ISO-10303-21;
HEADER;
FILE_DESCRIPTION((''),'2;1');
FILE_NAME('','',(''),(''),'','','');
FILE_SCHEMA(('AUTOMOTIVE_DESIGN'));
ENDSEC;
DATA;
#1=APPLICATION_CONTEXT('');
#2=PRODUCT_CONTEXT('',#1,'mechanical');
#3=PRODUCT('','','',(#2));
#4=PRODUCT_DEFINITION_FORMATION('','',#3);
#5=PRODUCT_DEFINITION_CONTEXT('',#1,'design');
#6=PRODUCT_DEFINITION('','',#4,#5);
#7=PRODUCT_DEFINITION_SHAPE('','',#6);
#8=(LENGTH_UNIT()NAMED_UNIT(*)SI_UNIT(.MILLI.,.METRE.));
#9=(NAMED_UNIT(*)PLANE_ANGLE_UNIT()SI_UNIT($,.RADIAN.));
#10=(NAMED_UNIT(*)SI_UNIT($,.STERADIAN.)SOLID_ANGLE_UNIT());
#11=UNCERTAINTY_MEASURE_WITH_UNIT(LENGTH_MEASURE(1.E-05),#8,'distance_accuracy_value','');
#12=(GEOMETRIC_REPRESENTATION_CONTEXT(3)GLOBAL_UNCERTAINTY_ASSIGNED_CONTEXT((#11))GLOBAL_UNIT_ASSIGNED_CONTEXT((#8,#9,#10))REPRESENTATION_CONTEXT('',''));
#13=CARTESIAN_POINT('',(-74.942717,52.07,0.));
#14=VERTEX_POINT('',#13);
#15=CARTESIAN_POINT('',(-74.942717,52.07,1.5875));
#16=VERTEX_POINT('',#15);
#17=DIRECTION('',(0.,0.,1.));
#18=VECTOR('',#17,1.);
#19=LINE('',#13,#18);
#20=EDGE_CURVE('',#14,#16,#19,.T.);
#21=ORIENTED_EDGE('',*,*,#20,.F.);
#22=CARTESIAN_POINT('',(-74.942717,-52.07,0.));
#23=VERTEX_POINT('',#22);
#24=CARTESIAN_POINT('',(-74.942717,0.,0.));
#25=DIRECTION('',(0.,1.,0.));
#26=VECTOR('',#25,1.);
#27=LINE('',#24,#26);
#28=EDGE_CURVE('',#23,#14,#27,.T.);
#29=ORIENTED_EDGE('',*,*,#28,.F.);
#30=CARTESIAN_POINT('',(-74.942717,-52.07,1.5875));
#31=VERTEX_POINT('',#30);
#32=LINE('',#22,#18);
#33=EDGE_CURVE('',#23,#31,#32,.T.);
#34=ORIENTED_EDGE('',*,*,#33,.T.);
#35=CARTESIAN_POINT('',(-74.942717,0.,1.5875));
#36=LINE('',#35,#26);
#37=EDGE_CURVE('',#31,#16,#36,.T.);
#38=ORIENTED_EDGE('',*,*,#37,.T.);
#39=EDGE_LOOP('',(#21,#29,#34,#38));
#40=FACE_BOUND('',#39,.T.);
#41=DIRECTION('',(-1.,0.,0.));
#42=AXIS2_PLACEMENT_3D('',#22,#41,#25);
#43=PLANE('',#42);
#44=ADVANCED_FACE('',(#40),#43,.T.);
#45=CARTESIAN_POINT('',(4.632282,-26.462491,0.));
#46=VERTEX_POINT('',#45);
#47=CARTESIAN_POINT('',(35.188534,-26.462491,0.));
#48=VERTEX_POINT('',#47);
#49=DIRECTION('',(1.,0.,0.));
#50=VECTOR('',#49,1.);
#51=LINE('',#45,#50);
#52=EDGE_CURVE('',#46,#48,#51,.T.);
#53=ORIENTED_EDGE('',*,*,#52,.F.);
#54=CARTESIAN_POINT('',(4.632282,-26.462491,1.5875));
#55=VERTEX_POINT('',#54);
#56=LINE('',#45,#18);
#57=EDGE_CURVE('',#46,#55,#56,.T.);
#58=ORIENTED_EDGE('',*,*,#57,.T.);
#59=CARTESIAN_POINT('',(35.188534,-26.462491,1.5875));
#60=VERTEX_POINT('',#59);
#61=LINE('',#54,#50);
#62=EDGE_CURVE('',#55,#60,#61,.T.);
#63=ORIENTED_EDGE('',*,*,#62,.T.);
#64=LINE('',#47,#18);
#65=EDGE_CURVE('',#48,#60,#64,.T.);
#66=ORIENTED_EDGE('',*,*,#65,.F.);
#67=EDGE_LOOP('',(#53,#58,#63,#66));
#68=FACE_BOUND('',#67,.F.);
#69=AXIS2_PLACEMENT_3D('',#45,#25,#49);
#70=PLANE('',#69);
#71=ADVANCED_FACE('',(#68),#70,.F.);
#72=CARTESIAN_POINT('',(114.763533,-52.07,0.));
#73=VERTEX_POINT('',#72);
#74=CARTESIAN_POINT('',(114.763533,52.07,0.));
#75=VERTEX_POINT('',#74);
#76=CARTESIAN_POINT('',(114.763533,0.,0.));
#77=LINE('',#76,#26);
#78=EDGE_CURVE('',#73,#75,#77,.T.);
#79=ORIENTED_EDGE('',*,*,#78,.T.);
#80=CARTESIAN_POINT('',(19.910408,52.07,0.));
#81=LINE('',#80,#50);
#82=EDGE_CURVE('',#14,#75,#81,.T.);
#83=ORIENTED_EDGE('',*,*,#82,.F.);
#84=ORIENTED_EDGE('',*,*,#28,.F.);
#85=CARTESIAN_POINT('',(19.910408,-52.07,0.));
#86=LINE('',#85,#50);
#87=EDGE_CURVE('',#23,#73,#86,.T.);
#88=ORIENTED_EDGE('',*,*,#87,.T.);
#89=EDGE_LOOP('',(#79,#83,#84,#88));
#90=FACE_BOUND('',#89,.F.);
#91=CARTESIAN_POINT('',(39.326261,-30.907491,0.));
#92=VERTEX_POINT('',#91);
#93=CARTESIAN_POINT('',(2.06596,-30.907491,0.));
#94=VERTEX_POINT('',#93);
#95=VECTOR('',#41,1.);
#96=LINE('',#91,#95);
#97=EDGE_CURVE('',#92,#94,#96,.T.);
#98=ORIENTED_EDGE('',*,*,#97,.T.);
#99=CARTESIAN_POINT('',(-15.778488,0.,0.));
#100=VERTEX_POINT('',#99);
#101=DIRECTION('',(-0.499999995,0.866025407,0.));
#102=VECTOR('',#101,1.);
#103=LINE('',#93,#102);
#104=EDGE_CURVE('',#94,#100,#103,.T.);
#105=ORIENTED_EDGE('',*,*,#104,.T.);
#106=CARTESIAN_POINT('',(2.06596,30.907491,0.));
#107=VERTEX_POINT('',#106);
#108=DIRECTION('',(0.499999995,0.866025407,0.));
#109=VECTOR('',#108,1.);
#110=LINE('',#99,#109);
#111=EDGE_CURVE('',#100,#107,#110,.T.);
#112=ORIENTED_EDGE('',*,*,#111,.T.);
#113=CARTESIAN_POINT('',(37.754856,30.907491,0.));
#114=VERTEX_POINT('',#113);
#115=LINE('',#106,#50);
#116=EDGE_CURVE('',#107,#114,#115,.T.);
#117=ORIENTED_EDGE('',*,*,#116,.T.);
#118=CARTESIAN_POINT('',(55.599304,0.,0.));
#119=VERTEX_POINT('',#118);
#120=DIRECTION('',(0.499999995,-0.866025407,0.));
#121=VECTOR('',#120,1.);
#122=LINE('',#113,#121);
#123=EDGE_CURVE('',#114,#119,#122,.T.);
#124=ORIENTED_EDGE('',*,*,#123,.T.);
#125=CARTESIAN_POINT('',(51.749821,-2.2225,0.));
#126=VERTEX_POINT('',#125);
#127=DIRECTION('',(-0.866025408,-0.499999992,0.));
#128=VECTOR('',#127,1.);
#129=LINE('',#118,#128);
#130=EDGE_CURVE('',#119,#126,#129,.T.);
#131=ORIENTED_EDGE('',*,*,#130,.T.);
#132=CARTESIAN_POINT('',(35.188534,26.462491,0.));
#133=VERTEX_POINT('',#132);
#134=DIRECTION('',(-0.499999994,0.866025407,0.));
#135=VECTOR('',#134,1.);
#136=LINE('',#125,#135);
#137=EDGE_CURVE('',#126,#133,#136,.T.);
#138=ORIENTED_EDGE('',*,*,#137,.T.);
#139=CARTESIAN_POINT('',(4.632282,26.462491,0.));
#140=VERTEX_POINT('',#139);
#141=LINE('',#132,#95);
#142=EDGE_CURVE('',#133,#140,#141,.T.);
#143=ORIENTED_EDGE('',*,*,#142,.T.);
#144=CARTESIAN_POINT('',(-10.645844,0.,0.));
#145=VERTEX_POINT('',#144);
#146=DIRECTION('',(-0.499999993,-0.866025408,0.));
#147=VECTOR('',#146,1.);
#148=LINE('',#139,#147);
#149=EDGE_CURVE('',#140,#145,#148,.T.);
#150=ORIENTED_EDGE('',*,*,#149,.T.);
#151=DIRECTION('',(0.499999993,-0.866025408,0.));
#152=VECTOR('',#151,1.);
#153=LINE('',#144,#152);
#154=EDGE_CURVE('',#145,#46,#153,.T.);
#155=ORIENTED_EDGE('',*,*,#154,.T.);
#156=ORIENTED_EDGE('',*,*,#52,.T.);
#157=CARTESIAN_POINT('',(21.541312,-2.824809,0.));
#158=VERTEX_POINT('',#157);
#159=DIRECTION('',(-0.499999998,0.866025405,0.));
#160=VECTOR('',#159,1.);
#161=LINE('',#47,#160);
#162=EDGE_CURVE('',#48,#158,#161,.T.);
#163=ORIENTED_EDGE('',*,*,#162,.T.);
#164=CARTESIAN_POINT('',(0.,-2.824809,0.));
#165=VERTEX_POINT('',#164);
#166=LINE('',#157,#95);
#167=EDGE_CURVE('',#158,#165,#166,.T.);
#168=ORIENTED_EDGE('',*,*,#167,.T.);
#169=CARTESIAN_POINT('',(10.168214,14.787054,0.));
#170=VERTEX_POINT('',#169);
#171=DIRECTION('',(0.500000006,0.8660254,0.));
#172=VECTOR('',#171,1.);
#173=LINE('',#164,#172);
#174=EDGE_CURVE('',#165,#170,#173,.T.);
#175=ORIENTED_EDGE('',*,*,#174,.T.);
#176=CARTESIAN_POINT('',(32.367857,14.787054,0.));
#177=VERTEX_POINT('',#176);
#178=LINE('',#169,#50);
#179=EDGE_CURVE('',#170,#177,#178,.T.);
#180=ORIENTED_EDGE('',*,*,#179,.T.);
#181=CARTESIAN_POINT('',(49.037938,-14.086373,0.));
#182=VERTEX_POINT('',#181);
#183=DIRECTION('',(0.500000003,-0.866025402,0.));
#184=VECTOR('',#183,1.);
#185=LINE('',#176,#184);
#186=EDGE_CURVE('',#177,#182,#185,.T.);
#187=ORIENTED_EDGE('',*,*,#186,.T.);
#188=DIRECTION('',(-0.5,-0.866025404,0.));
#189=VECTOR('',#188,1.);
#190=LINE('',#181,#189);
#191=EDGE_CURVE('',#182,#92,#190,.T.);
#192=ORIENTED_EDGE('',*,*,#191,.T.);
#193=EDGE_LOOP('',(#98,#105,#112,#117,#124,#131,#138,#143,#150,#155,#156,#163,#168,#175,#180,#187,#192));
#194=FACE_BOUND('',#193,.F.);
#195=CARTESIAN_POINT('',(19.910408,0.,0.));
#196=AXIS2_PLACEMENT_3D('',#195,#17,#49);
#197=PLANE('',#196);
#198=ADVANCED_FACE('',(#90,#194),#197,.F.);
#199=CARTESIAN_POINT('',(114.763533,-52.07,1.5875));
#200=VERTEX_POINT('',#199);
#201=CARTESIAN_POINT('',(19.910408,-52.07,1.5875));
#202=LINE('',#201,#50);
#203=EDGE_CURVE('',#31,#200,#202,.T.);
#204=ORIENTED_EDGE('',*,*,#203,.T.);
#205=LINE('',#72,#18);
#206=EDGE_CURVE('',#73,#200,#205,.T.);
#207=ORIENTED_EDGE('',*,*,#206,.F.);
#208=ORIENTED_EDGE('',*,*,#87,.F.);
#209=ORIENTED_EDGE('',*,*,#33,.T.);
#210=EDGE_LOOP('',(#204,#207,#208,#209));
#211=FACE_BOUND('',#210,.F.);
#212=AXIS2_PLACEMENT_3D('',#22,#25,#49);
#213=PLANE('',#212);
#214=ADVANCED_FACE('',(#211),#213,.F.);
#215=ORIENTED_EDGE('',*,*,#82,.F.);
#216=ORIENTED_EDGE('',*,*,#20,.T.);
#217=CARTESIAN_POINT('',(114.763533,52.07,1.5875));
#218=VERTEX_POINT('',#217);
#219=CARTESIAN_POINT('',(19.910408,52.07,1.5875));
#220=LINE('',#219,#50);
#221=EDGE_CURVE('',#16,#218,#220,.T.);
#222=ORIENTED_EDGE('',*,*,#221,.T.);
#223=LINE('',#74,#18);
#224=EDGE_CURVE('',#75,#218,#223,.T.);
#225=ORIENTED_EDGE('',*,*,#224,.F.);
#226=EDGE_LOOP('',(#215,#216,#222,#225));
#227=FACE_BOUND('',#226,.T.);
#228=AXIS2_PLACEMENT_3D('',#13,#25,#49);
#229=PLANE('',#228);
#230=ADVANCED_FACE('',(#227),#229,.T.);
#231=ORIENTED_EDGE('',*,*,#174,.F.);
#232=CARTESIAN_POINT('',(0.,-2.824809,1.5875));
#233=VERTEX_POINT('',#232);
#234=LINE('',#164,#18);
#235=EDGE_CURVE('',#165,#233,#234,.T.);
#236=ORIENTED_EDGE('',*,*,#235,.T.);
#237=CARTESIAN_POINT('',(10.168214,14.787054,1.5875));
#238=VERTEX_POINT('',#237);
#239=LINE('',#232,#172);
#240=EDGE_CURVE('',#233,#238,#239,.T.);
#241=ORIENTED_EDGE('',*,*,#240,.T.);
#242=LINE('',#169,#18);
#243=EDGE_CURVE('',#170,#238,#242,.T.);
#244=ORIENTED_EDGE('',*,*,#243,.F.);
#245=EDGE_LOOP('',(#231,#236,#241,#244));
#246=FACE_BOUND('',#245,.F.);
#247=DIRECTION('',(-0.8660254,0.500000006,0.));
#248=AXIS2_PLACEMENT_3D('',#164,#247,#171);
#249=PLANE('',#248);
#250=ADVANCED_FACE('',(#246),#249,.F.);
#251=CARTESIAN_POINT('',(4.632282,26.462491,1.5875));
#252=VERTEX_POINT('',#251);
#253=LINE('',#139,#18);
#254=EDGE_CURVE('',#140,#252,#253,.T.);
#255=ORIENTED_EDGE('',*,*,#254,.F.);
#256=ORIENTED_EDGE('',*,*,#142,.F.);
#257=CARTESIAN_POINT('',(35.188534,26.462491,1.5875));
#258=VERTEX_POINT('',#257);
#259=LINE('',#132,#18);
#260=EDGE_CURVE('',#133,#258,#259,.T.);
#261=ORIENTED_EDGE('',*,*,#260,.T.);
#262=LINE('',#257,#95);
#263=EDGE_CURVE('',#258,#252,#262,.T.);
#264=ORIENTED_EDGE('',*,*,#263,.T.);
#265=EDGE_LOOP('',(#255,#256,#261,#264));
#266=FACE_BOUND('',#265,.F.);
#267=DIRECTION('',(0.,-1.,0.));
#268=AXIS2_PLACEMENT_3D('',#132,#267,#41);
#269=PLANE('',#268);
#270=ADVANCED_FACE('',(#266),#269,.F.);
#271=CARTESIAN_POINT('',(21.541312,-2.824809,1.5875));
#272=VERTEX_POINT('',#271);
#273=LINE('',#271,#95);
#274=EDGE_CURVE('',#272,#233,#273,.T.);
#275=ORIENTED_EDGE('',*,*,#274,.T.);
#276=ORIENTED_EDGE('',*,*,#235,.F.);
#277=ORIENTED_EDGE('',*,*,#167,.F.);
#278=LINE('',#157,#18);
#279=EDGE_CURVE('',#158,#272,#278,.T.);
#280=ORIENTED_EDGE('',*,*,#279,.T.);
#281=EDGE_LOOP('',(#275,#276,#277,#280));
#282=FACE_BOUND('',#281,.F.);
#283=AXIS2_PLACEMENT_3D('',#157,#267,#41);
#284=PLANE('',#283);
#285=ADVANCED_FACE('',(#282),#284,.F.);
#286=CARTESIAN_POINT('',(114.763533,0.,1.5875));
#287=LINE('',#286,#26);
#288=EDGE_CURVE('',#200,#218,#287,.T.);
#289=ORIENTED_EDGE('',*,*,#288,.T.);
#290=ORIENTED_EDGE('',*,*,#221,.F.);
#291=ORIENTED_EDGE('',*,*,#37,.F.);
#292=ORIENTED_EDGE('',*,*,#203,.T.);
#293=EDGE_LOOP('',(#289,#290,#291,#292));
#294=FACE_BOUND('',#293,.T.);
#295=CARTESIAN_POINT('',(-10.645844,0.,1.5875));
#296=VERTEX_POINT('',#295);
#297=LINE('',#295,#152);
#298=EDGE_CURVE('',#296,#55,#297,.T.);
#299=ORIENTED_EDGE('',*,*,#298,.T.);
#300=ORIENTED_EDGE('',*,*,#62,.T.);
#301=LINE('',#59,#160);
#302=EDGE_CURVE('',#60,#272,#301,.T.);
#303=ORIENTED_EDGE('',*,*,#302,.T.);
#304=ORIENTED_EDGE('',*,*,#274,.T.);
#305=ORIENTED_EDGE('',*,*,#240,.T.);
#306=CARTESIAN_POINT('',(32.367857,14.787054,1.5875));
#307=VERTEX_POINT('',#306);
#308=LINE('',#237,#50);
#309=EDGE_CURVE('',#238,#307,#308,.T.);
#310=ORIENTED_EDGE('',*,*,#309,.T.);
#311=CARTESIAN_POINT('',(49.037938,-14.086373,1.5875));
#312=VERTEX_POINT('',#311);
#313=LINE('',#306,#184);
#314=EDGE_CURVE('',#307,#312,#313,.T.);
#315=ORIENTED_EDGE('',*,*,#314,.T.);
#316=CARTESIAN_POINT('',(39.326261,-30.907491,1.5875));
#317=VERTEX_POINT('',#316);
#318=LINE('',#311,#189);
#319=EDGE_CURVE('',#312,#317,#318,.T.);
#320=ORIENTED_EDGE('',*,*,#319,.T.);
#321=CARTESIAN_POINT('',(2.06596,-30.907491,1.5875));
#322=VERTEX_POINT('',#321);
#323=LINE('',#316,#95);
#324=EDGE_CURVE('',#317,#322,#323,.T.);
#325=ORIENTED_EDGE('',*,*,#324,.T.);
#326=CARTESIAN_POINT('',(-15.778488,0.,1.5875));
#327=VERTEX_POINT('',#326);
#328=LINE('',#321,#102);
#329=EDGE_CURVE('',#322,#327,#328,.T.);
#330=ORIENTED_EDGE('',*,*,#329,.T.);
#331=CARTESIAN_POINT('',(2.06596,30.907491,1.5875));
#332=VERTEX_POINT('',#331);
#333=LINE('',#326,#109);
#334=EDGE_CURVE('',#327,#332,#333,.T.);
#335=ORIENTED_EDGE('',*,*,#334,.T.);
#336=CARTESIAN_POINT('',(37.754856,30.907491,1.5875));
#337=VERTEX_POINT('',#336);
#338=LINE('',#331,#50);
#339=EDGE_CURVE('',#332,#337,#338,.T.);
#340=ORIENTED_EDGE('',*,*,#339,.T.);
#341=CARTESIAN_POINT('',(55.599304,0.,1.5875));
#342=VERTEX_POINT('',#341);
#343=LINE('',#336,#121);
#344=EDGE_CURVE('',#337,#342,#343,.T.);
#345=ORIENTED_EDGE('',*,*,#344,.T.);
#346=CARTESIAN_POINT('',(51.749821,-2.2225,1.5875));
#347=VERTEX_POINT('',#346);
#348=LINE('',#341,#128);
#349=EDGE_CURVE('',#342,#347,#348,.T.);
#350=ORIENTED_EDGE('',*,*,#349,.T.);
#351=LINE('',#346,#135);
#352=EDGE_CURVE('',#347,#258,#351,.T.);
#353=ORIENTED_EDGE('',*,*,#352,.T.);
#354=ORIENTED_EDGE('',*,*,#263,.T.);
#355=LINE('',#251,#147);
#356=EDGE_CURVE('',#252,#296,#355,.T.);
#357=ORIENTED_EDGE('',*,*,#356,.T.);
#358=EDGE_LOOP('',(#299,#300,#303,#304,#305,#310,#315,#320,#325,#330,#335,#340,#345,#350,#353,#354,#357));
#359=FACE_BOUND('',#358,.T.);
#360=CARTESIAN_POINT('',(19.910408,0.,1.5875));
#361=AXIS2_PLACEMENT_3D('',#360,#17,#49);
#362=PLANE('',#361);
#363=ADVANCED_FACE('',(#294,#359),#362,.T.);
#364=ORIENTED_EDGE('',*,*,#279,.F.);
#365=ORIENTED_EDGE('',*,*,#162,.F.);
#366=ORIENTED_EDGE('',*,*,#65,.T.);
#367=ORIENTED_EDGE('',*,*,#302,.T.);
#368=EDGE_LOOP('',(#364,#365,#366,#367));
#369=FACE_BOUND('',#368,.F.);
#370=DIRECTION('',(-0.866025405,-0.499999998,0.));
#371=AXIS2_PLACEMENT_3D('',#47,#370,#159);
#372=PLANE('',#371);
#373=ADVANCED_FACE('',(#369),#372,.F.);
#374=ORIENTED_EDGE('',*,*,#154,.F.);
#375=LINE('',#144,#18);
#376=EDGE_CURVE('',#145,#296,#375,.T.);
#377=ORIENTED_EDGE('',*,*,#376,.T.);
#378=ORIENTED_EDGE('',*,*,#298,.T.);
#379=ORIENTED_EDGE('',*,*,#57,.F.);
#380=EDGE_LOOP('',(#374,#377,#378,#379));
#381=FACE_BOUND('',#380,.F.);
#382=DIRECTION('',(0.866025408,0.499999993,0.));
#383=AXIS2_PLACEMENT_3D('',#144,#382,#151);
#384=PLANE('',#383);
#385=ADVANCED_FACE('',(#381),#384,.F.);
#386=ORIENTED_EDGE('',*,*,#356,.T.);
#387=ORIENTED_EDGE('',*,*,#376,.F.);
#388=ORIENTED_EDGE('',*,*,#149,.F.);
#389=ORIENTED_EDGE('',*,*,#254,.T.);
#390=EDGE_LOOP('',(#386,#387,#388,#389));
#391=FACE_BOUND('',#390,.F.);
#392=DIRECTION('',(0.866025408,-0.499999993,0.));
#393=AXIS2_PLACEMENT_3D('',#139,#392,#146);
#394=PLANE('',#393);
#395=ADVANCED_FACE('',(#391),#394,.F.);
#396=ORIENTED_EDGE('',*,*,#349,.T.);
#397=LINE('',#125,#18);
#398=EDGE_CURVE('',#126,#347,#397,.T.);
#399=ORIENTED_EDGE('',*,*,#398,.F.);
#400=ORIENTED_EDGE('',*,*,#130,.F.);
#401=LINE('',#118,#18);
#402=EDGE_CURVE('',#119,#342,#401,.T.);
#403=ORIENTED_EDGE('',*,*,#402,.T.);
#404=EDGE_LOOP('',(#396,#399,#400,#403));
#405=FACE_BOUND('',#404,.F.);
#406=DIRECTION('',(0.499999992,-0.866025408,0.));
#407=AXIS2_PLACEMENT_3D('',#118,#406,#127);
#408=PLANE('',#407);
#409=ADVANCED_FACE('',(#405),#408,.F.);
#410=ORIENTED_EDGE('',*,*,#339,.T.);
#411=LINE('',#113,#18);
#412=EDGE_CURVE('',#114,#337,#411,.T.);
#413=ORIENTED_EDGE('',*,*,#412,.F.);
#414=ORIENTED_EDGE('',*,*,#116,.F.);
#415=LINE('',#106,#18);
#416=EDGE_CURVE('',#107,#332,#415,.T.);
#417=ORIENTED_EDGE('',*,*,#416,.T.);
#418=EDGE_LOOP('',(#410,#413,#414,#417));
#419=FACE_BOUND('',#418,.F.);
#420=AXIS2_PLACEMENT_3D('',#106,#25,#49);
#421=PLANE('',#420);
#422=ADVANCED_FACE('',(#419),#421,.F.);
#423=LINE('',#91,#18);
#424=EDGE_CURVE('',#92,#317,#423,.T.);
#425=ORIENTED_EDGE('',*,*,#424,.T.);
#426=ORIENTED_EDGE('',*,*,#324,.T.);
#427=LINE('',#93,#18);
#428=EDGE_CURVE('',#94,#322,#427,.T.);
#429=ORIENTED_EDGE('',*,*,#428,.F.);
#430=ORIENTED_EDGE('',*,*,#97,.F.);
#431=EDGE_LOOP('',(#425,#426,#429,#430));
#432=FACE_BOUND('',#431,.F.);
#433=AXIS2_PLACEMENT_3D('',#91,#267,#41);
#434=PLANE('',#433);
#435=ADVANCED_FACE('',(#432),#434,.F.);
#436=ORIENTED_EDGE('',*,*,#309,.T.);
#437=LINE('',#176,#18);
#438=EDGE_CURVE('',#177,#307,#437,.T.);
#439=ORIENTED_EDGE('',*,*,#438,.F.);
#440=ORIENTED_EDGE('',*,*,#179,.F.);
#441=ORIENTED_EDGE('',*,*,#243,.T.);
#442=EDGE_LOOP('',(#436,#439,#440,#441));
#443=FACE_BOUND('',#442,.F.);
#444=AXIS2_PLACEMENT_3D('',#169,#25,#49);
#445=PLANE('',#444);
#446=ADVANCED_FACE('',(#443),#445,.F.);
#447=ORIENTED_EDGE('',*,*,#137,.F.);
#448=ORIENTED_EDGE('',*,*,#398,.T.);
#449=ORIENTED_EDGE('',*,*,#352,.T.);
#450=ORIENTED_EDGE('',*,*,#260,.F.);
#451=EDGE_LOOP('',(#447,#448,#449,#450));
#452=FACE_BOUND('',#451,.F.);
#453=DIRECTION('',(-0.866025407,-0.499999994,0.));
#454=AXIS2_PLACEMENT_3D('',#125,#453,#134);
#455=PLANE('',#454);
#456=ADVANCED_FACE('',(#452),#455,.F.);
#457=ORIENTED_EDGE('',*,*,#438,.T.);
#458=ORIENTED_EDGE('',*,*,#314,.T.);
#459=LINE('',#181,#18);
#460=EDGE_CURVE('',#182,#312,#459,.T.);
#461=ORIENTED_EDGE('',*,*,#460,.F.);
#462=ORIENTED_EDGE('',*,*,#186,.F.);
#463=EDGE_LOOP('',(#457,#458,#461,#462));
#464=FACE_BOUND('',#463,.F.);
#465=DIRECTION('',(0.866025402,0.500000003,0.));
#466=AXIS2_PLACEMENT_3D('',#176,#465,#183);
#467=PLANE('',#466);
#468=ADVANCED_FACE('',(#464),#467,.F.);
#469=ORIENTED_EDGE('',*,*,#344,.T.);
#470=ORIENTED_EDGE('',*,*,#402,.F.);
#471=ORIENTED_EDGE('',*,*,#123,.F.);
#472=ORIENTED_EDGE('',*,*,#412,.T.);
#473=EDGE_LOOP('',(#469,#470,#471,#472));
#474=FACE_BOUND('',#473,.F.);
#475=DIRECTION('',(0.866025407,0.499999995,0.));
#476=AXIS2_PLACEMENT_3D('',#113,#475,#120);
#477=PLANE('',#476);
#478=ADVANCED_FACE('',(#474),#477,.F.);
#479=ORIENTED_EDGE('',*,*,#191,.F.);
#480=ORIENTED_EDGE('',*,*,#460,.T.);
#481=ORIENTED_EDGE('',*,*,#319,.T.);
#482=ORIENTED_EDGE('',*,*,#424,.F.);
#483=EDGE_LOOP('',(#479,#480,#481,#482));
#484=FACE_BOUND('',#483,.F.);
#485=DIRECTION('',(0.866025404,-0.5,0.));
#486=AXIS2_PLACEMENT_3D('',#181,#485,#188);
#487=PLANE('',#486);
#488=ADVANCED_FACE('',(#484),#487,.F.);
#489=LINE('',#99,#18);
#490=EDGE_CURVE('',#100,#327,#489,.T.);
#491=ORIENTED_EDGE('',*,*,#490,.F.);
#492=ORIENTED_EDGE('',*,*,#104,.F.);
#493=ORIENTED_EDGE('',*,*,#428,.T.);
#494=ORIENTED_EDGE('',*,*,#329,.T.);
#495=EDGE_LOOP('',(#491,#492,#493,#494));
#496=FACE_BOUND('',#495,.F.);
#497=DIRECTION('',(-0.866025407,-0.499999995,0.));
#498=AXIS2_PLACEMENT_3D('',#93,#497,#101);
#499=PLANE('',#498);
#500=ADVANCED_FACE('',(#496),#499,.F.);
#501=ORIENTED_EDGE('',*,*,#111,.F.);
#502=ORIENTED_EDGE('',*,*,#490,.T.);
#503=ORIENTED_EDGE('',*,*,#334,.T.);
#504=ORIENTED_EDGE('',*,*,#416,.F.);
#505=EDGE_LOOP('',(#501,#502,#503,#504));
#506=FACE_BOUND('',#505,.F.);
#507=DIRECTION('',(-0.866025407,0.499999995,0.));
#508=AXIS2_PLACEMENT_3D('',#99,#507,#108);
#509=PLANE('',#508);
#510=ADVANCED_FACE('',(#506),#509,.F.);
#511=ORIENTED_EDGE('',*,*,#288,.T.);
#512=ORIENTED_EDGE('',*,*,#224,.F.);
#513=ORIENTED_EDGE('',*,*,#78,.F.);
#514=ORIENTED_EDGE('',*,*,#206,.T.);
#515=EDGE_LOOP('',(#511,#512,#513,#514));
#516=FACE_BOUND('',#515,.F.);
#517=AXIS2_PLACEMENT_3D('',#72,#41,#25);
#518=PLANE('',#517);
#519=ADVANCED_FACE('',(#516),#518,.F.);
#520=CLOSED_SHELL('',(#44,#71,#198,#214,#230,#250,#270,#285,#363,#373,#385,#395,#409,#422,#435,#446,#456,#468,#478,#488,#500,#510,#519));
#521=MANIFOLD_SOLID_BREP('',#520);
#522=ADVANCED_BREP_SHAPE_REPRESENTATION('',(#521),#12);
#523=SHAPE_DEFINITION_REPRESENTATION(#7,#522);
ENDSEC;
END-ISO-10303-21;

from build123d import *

# Parameters (mm, degrees)
F0_W     = 189.70625
F0_H     = 104.14
F1_DEPTH = 1.5875


with BuildPart() as f1:
    # F0 (on Top) → F1 (new body)
    with BuildSketch(Plane.XY):
        with Locations((19.910408, 0)):
            Rectangle(F0_W, F0_H)
        Polygon((39.326261, -30.907491), (2.06596, -30.907491), (-15.778488, 0), (2.06596, 30.907491), (37.754856, 30.907491), (55.599304, 0), (51.749821, -2.2225), (35.188534, 26.462491), (4.632282, 26.462491), (-10.645844, 0), (4.632282, -26.462491), (35.188534, -26.462491), (21.541312, -2.824809), (0, -2.824809), (10.168214, 14.787054), (32.367857, 14.787054), (49.037938, -14.086373), align=None, mode=Mode.SUBTRACT)
    extrude(amount=F1_DEPTH)


solid = f1.part
